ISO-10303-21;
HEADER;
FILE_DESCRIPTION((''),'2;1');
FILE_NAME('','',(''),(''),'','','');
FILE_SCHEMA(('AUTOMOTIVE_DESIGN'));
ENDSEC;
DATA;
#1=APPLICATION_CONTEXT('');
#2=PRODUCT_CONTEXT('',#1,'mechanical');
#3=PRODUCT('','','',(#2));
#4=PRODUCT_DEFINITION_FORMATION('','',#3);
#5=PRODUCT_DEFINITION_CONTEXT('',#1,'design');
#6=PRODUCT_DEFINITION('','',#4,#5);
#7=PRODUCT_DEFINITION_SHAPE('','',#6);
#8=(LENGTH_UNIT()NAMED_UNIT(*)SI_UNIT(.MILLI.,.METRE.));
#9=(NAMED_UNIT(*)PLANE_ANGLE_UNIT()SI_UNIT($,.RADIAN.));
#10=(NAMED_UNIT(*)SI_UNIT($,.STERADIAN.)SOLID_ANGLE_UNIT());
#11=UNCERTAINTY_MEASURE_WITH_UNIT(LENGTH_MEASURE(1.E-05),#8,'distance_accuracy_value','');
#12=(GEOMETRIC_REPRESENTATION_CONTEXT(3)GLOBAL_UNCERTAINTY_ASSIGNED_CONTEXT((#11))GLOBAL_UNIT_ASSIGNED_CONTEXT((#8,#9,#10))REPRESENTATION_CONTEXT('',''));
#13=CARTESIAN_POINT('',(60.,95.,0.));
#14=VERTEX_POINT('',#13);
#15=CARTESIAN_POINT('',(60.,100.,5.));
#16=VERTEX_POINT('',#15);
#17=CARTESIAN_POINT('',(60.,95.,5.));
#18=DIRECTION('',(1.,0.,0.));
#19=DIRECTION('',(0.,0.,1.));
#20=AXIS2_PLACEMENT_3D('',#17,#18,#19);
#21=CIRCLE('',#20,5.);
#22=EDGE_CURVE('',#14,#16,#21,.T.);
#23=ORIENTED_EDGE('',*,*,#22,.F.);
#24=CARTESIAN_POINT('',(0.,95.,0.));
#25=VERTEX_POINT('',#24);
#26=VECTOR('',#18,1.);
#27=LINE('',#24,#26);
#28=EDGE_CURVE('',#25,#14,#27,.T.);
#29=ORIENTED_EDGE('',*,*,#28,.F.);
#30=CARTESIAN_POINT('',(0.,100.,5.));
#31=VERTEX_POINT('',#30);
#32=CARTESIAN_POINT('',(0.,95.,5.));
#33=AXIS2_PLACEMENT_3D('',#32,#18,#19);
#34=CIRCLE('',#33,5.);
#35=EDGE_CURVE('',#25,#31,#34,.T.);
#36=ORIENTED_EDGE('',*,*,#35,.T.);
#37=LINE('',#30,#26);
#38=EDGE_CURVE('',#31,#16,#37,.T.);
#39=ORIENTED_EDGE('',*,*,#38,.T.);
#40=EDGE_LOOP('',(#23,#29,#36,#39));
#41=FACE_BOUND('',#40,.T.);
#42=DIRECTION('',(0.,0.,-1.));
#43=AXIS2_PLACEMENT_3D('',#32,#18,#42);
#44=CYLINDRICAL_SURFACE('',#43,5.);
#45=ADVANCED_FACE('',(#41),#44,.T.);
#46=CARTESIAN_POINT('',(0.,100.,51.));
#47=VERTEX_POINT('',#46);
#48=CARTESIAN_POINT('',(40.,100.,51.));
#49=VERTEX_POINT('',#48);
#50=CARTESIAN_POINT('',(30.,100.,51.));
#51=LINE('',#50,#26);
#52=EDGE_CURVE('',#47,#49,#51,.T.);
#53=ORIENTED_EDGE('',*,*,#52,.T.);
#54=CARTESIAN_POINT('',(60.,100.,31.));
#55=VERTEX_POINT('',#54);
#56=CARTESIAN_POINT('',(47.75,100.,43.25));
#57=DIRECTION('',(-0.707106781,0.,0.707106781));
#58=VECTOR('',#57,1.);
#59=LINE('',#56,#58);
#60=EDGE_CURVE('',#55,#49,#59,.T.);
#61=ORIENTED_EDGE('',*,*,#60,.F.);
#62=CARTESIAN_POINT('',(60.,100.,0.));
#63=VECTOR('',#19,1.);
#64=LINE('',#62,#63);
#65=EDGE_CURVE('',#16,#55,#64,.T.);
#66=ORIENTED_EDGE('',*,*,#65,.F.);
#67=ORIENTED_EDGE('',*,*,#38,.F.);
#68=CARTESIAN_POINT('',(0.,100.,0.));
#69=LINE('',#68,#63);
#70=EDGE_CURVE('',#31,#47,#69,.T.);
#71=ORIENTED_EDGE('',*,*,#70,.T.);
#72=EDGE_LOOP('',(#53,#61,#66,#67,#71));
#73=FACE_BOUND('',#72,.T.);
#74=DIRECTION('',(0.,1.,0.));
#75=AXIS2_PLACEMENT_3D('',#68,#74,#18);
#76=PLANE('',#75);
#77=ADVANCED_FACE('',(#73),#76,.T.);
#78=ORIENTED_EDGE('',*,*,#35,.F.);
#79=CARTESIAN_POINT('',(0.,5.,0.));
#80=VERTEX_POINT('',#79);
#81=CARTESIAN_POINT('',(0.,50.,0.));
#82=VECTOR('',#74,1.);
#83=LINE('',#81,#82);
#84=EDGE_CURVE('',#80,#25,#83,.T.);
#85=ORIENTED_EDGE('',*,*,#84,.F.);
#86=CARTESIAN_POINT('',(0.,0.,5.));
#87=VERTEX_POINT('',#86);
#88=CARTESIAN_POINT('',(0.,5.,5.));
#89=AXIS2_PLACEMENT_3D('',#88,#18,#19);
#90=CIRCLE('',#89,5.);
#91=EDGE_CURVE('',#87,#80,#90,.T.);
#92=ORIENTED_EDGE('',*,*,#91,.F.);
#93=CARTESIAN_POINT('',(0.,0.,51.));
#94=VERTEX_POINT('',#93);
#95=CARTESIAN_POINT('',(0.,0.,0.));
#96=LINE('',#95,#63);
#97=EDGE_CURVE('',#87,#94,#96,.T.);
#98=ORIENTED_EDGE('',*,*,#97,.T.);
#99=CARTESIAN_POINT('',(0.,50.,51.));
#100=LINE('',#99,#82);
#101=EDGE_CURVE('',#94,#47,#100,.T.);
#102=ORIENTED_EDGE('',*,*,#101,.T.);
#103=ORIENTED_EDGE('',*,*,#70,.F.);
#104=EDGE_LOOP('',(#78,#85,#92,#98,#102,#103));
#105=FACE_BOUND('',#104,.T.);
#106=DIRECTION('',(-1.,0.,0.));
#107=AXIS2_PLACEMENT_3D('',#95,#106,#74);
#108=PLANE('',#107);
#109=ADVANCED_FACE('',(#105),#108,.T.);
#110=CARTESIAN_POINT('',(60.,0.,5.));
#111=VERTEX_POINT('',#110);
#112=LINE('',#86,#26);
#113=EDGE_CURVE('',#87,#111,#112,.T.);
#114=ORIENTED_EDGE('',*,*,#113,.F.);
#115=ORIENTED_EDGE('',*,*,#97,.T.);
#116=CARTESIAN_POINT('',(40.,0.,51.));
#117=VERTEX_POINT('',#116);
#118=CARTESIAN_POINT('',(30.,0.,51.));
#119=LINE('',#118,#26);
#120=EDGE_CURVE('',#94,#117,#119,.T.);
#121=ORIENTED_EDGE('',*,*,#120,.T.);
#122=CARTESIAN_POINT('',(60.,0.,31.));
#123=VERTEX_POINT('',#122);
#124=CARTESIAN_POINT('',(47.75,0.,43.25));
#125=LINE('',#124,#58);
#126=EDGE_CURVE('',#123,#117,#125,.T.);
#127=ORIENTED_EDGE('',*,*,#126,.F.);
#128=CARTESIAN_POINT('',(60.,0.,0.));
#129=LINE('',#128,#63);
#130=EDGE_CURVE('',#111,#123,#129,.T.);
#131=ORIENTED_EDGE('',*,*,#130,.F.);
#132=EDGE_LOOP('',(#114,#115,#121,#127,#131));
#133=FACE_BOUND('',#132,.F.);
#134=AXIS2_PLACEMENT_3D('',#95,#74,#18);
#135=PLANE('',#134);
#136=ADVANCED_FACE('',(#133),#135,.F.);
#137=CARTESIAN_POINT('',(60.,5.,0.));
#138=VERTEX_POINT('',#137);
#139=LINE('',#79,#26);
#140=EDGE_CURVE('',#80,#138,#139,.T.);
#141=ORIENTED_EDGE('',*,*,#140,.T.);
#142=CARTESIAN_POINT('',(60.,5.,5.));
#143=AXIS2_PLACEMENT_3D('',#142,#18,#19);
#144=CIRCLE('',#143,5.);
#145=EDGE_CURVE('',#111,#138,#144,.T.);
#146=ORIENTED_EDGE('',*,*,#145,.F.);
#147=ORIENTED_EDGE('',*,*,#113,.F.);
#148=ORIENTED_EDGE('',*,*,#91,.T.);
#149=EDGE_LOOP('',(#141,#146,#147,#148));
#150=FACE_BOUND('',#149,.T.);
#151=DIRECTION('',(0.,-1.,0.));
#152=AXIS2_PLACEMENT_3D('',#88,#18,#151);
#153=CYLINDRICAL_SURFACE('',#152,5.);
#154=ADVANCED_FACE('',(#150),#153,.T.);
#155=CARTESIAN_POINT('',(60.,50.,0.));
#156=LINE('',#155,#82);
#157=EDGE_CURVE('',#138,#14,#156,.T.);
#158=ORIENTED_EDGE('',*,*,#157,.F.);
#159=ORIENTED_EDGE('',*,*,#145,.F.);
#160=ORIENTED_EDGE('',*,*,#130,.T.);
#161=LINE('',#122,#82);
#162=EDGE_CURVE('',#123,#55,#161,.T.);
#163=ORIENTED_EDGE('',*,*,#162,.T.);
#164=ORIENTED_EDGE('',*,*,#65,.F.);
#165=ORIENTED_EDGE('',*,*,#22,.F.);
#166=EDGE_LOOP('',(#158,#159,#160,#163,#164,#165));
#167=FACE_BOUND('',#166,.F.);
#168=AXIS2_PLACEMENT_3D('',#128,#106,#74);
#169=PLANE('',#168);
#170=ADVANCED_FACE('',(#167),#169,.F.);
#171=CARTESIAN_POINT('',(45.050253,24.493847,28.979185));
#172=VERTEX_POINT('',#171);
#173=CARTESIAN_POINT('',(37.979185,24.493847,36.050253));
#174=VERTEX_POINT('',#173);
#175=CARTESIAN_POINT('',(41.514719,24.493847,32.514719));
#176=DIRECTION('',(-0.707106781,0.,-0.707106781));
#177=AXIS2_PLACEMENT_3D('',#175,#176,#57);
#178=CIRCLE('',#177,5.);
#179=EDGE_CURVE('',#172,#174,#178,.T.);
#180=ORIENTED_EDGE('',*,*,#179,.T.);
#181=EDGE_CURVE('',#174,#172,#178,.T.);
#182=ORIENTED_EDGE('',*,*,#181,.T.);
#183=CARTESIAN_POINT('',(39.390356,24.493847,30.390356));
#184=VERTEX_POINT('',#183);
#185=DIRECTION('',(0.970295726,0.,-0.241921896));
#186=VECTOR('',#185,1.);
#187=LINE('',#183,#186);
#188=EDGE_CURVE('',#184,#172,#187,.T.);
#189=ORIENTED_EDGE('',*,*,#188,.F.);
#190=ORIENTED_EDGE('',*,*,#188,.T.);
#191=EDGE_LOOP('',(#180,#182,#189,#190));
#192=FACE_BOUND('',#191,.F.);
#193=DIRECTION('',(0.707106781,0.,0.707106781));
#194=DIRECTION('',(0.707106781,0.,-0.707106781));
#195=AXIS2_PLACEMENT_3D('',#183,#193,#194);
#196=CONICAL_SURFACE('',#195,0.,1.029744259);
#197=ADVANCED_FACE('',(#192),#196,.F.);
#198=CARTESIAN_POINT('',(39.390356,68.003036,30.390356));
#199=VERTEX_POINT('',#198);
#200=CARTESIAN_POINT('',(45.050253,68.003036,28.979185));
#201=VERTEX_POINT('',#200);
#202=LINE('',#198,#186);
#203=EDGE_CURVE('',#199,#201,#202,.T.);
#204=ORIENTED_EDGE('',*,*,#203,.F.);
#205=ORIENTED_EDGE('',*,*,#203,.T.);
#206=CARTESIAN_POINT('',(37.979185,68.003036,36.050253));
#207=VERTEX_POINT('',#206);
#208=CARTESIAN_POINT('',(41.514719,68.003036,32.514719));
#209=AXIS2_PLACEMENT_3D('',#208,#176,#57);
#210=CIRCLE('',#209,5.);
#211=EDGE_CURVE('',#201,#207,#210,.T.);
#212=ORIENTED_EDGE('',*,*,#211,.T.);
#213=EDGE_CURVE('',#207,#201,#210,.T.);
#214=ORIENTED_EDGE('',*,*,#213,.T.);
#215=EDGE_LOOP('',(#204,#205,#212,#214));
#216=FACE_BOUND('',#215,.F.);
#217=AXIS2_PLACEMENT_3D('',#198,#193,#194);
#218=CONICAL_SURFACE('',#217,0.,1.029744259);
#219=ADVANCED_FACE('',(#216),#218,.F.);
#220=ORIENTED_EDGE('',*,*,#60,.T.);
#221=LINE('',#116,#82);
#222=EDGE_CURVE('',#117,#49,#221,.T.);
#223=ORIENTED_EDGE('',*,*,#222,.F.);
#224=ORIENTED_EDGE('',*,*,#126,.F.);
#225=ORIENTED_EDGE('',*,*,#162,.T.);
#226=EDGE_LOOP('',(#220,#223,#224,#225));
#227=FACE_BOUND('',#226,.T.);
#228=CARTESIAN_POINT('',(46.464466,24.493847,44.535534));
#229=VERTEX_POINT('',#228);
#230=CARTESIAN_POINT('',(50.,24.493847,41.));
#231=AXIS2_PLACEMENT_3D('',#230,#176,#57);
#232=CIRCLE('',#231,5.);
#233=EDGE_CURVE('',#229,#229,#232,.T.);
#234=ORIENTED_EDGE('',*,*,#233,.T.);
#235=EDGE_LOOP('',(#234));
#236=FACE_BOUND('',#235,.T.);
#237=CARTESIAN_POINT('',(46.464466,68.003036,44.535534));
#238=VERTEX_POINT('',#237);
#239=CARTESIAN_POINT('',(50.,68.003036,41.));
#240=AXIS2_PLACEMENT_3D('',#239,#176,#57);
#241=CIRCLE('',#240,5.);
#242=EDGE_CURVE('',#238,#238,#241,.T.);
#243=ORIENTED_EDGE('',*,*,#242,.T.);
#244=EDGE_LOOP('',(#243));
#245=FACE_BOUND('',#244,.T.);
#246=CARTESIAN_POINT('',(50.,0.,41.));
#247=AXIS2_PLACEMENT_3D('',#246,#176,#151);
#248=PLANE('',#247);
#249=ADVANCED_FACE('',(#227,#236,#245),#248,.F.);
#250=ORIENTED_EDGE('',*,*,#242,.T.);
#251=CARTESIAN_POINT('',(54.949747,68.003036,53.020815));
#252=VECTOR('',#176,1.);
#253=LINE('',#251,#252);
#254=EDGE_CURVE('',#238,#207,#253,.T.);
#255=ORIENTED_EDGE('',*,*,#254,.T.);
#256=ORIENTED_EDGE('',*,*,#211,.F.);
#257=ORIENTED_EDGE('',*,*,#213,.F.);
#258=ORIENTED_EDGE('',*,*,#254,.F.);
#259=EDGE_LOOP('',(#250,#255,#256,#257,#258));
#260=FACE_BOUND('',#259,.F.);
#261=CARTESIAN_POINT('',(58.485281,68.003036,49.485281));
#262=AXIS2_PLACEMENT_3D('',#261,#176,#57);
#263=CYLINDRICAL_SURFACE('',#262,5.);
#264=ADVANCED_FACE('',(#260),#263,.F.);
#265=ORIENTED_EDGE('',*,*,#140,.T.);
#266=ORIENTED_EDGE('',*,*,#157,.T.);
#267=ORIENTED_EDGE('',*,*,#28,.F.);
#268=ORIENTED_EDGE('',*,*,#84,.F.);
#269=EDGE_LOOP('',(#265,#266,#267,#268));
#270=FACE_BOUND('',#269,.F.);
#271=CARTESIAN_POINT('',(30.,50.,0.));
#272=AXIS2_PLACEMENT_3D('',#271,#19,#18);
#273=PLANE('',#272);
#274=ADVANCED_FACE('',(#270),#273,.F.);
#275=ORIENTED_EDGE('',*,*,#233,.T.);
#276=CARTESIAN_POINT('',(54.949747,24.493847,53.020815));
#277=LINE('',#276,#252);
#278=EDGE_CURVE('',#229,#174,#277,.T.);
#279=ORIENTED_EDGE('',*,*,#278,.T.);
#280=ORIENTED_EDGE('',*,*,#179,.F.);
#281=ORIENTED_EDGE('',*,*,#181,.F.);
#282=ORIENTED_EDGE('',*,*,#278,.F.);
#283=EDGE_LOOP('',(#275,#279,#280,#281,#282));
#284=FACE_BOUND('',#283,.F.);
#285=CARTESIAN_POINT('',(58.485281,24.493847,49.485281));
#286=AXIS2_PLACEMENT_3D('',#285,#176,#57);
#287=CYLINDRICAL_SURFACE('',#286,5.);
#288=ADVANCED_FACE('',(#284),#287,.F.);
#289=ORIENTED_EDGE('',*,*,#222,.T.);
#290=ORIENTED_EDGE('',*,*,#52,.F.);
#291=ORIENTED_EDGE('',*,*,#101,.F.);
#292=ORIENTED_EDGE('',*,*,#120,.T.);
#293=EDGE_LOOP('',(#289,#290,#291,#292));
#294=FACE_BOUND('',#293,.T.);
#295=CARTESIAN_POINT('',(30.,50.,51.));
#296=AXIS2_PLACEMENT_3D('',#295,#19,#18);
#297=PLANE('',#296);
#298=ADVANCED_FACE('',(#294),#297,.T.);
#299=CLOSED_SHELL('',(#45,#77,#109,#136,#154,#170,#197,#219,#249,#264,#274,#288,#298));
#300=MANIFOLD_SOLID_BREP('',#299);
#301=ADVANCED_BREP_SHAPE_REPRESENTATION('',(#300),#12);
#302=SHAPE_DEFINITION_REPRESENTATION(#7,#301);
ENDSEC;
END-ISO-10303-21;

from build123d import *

# Parameters (mm, degrees)
F0_W     = 60
F0_H     = 100
F1_DEPTH = 51
F2_SIZE  = 20
F4_D     = 10
F4_DEPTH = 12
F4_TIP   = 3.0043030951
F5_R     = 5


with BuildPart() as f1:
    # F0 (on Top) → F1 (new body)
    with BuildSketch(Plane.XY):
        with Locations((30, 50)):
            Rectangle(F0_W, F0_H)
    extrude(amount=F1_DEPTH)

    # F2
    f2_edges = [f1.edges().sort_by_distance(p)[0] for p in [
        (60, 50, 51),
    ]]
    chamfer(f2_edges, length=F2_SIZE)

    # F4
    with Locations(Plane(origin=(45.5, 0, 45.5), x_dir=(0.7071067812, 0, -0.7071067812), z_dir=(0.7071067812, 0, 0.7071067812))):
        with Locations((6.3639610307, 24.4938470423), (6.3639610307, 68.0030360818)):
            Hole(F4_D / 2, depth=F4_DEPTH)
            with Locations((0, 0, -(F4_DEPTH + F4_TIP / 2))):  # 118° drill point
                Cone(0, F4_D / 2, F4_TIP, mode=Mode.SUBTRACT)

    # F5
    f5_edges = [f1.edges().sort_by_distance(p)[0] for p in [
        (30, 100, 0),
        (30, 0, 0),
    ]]
    fillet(f5_edges, radius=F5_R)


solid = f1.part
